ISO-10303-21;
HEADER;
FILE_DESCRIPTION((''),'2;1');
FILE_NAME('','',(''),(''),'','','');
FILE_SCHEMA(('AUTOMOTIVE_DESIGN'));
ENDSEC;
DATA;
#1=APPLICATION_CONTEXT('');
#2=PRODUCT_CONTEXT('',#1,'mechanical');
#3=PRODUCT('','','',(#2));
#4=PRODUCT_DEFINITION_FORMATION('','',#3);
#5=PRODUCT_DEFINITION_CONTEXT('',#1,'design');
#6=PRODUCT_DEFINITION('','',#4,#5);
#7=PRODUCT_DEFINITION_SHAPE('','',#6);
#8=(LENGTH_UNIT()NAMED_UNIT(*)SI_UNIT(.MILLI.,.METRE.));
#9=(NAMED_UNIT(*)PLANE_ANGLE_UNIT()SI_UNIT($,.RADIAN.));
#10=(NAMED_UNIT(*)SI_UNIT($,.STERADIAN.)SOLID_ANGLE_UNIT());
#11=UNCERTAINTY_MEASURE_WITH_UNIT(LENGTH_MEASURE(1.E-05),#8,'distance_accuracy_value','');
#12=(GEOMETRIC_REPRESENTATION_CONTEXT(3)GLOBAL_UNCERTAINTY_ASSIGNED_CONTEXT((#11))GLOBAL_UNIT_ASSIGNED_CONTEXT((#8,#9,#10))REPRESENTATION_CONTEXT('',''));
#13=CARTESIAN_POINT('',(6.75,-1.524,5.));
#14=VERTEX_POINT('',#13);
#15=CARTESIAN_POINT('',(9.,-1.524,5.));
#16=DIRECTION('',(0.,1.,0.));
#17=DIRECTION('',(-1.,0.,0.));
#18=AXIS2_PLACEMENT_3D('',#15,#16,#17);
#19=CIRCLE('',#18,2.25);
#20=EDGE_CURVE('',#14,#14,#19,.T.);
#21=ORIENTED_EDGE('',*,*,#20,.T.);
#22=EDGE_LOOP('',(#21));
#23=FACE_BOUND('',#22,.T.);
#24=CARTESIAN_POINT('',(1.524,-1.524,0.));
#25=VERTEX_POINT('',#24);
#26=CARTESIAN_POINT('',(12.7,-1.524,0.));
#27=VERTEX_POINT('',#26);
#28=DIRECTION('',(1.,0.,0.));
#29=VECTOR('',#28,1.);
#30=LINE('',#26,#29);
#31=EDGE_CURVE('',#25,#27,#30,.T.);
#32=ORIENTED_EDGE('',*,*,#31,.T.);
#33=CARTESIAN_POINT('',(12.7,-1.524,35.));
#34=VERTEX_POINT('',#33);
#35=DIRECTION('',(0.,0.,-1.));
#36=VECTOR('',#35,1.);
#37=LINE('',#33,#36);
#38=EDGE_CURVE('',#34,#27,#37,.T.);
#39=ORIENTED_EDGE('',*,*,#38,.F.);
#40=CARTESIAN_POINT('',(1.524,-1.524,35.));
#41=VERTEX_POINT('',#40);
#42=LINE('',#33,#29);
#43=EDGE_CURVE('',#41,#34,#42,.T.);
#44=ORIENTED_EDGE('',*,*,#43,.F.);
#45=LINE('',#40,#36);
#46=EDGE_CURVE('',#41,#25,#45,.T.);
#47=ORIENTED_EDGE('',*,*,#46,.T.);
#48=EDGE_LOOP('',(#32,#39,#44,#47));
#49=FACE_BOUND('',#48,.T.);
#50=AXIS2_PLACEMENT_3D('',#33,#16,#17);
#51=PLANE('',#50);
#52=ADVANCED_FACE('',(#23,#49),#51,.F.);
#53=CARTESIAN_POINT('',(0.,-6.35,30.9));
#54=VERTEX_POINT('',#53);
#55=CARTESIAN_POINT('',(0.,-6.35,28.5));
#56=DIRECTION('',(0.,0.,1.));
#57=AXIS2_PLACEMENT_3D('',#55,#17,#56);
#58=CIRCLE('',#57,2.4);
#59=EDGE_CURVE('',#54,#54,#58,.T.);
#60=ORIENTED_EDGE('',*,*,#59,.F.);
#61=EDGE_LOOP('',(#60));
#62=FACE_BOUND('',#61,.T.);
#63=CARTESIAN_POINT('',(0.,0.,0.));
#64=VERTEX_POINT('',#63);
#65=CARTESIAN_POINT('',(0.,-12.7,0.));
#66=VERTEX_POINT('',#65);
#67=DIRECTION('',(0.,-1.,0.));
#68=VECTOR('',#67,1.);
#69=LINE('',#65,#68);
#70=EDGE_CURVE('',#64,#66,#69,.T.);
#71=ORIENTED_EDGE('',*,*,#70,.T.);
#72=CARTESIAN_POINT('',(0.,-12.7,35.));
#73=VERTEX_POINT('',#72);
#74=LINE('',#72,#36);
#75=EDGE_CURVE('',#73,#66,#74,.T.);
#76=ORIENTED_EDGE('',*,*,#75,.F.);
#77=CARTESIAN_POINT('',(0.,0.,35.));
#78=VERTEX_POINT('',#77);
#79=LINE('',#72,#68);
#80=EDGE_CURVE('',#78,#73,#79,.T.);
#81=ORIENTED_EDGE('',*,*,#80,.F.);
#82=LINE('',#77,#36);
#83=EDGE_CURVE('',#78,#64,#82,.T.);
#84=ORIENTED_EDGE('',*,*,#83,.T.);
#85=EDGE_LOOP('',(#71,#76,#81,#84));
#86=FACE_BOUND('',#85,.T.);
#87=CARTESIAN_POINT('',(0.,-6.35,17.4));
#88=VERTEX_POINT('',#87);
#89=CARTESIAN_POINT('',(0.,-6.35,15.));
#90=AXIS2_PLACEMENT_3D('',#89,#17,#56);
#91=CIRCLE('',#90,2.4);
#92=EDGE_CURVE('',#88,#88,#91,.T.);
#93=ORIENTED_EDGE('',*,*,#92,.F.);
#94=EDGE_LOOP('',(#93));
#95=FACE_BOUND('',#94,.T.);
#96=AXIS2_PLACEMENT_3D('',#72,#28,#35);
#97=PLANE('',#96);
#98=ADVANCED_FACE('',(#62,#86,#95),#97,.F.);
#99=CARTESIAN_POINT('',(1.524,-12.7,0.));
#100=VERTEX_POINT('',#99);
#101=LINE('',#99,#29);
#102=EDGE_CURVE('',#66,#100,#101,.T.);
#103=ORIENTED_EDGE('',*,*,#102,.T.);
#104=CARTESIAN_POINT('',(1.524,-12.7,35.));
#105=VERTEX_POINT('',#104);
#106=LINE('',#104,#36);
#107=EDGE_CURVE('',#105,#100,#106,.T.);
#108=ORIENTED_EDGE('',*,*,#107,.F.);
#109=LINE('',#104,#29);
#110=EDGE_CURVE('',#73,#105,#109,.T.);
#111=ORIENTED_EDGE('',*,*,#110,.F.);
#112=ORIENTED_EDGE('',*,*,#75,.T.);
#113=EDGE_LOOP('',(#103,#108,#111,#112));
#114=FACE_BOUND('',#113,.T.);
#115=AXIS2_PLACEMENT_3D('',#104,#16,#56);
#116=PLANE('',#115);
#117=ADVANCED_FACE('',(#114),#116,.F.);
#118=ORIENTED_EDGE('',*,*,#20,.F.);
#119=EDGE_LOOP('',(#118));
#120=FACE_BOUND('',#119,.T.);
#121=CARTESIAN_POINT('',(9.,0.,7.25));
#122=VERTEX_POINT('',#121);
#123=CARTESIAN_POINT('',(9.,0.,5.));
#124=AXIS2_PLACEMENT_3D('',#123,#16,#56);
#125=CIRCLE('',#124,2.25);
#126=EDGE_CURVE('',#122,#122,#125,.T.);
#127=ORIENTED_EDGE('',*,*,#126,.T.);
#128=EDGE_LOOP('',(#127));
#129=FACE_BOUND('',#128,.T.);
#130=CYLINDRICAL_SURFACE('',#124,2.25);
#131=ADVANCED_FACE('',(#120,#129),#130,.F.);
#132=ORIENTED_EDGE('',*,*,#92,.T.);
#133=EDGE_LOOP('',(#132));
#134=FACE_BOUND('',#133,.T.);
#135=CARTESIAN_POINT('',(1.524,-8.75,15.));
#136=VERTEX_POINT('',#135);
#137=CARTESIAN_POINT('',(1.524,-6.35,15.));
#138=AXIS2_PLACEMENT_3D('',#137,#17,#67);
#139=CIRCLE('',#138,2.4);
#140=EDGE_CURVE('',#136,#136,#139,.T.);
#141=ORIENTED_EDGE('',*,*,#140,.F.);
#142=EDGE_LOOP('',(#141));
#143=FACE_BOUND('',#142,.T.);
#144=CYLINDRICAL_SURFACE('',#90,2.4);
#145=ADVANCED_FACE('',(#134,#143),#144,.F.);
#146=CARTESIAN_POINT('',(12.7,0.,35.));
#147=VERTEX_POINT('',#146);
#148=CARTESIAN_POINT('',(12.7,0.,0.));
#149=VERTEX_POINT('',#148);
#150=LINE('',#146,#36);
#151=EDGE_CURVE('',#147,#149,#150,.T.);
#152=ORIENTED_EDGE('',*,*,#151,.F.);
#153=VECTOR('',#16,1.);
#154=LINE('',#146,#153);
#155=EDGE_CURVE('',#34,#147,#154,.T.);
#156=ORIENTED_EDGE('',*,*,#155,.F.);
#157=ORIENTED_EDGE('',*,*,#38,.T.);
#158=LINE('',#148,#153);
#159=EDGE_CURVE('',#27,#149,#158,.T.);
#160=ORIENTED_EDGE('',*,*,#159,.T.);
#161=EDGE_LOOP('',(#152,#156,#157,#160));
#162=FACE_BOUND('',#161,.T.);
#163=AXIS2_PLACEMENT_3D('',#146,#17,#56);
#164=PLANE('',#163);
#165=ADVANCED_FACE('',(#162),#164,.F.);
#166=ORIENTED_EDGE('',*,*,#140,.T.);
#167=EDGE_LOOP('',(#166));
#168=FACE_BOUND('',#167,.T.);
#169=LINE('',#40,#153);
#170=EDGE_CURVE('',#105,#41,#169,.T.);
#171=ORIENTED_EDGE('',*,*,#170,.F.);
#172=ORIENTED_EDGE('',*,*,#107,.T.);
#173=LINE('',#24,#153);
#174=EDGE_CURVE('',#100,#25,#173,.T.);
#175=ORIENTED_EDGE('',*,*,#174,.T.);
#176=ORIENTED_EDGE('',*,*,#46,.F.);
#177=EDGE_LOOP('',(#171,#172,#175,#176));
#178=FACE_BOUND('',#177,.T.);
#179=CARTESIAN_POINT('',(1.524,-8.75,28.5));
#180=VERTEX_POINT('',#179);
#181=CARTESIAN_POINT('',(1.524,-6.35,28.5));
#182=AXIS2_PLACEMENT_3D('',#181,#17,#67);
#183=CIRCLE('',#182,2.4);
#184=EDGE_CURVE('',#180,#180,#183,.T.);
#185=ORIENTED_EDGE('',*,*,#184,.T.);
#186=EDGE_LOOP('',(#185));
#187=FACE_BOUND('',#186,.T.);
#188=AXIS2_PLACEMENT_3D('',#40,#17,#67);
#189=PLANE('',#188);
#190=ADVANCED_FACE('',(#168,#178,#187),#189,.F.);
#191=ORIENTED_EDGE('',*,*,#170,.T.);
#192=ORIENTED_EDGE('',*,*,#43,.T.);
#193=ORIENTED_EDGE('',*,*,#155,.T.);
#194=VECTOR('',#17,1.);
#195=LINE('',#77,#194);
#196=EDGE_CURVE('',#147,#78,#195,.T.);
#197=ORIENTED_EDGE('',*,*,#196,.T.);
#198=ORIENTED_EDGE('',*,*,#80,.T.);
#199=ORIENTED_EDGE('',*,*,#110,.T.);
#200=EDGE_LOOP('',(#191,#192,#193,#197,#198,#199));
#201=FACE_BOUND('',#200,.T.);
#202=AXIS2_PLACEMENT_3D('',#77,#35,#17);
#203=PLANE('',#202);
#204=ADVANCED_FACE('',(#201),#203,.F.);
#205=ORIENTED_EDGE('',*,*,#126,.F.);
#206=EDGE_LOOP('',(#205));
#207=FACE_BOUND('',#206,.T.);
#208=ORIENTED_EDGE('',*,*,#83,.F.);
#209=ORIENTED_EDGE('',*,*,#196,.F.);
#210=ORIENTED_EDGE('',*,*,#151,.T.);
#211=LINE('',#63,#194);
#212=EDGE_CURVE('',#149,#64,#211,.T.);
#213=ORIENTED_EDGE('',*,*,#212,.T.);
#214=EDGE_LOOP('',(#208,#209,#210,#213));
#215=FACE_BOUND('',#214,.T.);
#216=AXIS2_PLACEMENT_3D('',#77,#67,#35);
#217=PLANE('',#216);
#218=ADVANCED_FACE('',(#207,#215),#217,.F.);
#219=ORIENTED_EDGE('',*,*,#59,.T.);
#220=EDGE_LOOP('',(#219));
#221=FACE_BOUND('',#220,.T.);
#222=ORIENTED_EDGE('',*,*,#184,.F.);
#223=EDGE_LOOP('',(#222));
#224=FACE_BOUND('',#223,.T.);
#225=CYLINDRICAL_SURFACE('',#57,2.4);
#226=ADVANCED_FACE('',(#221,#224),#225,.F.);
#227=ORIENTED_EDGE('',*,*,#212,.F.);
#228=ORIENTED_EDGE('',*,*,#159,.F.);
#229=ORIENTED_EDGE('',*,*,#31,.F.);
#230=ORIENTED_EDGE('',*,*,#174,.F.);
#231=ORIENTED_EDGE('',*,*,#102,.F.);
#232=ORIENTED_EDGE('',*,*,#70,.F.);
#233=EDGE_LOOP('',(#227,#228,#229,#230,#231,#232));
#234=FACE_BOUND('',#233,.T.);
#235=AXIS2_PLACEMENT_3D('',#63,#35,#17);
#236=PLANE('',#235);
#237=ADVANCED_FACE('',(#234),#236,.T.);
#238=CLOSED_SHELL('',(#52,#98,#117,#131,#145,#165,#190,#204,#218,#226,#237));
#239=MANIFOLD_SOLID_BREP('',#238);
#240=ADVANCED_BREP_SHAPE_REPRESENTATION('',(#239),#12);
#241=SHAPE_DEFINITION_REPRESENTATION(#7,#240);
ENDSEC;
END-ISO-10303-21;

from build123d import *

# Parameters (mm, degrees)
BOSS_EXTRUDE1_DEPTH  = 35
M4_CLEARANCE_HOLE1_D = 4.5
M4_CLEARANCE_HOLE2_D = 4.8


with BuildPart() as part:
    # Sketch1 → Boss-Extrude1 (new body)
    with BuildSketch(Plane.XY):
        Polygon((0, 0), (12.7, 0), (12.7, -1.524), (1.524, -1.524), (1.524, -12.7), (0, -12.7), align=None)
    extrude(amount=BOSS_EXTRUDE1_DEPTH)

    # M4 Clearance Hole1 (through all)
    with Locations(Plane(origin=(0, 0, 0), x_dir=(1, 0, 0), z_dir=(0, 1, 0))):
        with Locations((9, -5)):
            Hole(M4_CLEARANCE_HOLE1_D / 2)

    # M4 Clearance Hole2 (through all)
    with Locations(Plane.ZY):
        with Locations((15, -6.35), (28.5, -6.35)):
            Hole(M4_CLEARANCE_HOLE2_D / 2)


solid = part.part
